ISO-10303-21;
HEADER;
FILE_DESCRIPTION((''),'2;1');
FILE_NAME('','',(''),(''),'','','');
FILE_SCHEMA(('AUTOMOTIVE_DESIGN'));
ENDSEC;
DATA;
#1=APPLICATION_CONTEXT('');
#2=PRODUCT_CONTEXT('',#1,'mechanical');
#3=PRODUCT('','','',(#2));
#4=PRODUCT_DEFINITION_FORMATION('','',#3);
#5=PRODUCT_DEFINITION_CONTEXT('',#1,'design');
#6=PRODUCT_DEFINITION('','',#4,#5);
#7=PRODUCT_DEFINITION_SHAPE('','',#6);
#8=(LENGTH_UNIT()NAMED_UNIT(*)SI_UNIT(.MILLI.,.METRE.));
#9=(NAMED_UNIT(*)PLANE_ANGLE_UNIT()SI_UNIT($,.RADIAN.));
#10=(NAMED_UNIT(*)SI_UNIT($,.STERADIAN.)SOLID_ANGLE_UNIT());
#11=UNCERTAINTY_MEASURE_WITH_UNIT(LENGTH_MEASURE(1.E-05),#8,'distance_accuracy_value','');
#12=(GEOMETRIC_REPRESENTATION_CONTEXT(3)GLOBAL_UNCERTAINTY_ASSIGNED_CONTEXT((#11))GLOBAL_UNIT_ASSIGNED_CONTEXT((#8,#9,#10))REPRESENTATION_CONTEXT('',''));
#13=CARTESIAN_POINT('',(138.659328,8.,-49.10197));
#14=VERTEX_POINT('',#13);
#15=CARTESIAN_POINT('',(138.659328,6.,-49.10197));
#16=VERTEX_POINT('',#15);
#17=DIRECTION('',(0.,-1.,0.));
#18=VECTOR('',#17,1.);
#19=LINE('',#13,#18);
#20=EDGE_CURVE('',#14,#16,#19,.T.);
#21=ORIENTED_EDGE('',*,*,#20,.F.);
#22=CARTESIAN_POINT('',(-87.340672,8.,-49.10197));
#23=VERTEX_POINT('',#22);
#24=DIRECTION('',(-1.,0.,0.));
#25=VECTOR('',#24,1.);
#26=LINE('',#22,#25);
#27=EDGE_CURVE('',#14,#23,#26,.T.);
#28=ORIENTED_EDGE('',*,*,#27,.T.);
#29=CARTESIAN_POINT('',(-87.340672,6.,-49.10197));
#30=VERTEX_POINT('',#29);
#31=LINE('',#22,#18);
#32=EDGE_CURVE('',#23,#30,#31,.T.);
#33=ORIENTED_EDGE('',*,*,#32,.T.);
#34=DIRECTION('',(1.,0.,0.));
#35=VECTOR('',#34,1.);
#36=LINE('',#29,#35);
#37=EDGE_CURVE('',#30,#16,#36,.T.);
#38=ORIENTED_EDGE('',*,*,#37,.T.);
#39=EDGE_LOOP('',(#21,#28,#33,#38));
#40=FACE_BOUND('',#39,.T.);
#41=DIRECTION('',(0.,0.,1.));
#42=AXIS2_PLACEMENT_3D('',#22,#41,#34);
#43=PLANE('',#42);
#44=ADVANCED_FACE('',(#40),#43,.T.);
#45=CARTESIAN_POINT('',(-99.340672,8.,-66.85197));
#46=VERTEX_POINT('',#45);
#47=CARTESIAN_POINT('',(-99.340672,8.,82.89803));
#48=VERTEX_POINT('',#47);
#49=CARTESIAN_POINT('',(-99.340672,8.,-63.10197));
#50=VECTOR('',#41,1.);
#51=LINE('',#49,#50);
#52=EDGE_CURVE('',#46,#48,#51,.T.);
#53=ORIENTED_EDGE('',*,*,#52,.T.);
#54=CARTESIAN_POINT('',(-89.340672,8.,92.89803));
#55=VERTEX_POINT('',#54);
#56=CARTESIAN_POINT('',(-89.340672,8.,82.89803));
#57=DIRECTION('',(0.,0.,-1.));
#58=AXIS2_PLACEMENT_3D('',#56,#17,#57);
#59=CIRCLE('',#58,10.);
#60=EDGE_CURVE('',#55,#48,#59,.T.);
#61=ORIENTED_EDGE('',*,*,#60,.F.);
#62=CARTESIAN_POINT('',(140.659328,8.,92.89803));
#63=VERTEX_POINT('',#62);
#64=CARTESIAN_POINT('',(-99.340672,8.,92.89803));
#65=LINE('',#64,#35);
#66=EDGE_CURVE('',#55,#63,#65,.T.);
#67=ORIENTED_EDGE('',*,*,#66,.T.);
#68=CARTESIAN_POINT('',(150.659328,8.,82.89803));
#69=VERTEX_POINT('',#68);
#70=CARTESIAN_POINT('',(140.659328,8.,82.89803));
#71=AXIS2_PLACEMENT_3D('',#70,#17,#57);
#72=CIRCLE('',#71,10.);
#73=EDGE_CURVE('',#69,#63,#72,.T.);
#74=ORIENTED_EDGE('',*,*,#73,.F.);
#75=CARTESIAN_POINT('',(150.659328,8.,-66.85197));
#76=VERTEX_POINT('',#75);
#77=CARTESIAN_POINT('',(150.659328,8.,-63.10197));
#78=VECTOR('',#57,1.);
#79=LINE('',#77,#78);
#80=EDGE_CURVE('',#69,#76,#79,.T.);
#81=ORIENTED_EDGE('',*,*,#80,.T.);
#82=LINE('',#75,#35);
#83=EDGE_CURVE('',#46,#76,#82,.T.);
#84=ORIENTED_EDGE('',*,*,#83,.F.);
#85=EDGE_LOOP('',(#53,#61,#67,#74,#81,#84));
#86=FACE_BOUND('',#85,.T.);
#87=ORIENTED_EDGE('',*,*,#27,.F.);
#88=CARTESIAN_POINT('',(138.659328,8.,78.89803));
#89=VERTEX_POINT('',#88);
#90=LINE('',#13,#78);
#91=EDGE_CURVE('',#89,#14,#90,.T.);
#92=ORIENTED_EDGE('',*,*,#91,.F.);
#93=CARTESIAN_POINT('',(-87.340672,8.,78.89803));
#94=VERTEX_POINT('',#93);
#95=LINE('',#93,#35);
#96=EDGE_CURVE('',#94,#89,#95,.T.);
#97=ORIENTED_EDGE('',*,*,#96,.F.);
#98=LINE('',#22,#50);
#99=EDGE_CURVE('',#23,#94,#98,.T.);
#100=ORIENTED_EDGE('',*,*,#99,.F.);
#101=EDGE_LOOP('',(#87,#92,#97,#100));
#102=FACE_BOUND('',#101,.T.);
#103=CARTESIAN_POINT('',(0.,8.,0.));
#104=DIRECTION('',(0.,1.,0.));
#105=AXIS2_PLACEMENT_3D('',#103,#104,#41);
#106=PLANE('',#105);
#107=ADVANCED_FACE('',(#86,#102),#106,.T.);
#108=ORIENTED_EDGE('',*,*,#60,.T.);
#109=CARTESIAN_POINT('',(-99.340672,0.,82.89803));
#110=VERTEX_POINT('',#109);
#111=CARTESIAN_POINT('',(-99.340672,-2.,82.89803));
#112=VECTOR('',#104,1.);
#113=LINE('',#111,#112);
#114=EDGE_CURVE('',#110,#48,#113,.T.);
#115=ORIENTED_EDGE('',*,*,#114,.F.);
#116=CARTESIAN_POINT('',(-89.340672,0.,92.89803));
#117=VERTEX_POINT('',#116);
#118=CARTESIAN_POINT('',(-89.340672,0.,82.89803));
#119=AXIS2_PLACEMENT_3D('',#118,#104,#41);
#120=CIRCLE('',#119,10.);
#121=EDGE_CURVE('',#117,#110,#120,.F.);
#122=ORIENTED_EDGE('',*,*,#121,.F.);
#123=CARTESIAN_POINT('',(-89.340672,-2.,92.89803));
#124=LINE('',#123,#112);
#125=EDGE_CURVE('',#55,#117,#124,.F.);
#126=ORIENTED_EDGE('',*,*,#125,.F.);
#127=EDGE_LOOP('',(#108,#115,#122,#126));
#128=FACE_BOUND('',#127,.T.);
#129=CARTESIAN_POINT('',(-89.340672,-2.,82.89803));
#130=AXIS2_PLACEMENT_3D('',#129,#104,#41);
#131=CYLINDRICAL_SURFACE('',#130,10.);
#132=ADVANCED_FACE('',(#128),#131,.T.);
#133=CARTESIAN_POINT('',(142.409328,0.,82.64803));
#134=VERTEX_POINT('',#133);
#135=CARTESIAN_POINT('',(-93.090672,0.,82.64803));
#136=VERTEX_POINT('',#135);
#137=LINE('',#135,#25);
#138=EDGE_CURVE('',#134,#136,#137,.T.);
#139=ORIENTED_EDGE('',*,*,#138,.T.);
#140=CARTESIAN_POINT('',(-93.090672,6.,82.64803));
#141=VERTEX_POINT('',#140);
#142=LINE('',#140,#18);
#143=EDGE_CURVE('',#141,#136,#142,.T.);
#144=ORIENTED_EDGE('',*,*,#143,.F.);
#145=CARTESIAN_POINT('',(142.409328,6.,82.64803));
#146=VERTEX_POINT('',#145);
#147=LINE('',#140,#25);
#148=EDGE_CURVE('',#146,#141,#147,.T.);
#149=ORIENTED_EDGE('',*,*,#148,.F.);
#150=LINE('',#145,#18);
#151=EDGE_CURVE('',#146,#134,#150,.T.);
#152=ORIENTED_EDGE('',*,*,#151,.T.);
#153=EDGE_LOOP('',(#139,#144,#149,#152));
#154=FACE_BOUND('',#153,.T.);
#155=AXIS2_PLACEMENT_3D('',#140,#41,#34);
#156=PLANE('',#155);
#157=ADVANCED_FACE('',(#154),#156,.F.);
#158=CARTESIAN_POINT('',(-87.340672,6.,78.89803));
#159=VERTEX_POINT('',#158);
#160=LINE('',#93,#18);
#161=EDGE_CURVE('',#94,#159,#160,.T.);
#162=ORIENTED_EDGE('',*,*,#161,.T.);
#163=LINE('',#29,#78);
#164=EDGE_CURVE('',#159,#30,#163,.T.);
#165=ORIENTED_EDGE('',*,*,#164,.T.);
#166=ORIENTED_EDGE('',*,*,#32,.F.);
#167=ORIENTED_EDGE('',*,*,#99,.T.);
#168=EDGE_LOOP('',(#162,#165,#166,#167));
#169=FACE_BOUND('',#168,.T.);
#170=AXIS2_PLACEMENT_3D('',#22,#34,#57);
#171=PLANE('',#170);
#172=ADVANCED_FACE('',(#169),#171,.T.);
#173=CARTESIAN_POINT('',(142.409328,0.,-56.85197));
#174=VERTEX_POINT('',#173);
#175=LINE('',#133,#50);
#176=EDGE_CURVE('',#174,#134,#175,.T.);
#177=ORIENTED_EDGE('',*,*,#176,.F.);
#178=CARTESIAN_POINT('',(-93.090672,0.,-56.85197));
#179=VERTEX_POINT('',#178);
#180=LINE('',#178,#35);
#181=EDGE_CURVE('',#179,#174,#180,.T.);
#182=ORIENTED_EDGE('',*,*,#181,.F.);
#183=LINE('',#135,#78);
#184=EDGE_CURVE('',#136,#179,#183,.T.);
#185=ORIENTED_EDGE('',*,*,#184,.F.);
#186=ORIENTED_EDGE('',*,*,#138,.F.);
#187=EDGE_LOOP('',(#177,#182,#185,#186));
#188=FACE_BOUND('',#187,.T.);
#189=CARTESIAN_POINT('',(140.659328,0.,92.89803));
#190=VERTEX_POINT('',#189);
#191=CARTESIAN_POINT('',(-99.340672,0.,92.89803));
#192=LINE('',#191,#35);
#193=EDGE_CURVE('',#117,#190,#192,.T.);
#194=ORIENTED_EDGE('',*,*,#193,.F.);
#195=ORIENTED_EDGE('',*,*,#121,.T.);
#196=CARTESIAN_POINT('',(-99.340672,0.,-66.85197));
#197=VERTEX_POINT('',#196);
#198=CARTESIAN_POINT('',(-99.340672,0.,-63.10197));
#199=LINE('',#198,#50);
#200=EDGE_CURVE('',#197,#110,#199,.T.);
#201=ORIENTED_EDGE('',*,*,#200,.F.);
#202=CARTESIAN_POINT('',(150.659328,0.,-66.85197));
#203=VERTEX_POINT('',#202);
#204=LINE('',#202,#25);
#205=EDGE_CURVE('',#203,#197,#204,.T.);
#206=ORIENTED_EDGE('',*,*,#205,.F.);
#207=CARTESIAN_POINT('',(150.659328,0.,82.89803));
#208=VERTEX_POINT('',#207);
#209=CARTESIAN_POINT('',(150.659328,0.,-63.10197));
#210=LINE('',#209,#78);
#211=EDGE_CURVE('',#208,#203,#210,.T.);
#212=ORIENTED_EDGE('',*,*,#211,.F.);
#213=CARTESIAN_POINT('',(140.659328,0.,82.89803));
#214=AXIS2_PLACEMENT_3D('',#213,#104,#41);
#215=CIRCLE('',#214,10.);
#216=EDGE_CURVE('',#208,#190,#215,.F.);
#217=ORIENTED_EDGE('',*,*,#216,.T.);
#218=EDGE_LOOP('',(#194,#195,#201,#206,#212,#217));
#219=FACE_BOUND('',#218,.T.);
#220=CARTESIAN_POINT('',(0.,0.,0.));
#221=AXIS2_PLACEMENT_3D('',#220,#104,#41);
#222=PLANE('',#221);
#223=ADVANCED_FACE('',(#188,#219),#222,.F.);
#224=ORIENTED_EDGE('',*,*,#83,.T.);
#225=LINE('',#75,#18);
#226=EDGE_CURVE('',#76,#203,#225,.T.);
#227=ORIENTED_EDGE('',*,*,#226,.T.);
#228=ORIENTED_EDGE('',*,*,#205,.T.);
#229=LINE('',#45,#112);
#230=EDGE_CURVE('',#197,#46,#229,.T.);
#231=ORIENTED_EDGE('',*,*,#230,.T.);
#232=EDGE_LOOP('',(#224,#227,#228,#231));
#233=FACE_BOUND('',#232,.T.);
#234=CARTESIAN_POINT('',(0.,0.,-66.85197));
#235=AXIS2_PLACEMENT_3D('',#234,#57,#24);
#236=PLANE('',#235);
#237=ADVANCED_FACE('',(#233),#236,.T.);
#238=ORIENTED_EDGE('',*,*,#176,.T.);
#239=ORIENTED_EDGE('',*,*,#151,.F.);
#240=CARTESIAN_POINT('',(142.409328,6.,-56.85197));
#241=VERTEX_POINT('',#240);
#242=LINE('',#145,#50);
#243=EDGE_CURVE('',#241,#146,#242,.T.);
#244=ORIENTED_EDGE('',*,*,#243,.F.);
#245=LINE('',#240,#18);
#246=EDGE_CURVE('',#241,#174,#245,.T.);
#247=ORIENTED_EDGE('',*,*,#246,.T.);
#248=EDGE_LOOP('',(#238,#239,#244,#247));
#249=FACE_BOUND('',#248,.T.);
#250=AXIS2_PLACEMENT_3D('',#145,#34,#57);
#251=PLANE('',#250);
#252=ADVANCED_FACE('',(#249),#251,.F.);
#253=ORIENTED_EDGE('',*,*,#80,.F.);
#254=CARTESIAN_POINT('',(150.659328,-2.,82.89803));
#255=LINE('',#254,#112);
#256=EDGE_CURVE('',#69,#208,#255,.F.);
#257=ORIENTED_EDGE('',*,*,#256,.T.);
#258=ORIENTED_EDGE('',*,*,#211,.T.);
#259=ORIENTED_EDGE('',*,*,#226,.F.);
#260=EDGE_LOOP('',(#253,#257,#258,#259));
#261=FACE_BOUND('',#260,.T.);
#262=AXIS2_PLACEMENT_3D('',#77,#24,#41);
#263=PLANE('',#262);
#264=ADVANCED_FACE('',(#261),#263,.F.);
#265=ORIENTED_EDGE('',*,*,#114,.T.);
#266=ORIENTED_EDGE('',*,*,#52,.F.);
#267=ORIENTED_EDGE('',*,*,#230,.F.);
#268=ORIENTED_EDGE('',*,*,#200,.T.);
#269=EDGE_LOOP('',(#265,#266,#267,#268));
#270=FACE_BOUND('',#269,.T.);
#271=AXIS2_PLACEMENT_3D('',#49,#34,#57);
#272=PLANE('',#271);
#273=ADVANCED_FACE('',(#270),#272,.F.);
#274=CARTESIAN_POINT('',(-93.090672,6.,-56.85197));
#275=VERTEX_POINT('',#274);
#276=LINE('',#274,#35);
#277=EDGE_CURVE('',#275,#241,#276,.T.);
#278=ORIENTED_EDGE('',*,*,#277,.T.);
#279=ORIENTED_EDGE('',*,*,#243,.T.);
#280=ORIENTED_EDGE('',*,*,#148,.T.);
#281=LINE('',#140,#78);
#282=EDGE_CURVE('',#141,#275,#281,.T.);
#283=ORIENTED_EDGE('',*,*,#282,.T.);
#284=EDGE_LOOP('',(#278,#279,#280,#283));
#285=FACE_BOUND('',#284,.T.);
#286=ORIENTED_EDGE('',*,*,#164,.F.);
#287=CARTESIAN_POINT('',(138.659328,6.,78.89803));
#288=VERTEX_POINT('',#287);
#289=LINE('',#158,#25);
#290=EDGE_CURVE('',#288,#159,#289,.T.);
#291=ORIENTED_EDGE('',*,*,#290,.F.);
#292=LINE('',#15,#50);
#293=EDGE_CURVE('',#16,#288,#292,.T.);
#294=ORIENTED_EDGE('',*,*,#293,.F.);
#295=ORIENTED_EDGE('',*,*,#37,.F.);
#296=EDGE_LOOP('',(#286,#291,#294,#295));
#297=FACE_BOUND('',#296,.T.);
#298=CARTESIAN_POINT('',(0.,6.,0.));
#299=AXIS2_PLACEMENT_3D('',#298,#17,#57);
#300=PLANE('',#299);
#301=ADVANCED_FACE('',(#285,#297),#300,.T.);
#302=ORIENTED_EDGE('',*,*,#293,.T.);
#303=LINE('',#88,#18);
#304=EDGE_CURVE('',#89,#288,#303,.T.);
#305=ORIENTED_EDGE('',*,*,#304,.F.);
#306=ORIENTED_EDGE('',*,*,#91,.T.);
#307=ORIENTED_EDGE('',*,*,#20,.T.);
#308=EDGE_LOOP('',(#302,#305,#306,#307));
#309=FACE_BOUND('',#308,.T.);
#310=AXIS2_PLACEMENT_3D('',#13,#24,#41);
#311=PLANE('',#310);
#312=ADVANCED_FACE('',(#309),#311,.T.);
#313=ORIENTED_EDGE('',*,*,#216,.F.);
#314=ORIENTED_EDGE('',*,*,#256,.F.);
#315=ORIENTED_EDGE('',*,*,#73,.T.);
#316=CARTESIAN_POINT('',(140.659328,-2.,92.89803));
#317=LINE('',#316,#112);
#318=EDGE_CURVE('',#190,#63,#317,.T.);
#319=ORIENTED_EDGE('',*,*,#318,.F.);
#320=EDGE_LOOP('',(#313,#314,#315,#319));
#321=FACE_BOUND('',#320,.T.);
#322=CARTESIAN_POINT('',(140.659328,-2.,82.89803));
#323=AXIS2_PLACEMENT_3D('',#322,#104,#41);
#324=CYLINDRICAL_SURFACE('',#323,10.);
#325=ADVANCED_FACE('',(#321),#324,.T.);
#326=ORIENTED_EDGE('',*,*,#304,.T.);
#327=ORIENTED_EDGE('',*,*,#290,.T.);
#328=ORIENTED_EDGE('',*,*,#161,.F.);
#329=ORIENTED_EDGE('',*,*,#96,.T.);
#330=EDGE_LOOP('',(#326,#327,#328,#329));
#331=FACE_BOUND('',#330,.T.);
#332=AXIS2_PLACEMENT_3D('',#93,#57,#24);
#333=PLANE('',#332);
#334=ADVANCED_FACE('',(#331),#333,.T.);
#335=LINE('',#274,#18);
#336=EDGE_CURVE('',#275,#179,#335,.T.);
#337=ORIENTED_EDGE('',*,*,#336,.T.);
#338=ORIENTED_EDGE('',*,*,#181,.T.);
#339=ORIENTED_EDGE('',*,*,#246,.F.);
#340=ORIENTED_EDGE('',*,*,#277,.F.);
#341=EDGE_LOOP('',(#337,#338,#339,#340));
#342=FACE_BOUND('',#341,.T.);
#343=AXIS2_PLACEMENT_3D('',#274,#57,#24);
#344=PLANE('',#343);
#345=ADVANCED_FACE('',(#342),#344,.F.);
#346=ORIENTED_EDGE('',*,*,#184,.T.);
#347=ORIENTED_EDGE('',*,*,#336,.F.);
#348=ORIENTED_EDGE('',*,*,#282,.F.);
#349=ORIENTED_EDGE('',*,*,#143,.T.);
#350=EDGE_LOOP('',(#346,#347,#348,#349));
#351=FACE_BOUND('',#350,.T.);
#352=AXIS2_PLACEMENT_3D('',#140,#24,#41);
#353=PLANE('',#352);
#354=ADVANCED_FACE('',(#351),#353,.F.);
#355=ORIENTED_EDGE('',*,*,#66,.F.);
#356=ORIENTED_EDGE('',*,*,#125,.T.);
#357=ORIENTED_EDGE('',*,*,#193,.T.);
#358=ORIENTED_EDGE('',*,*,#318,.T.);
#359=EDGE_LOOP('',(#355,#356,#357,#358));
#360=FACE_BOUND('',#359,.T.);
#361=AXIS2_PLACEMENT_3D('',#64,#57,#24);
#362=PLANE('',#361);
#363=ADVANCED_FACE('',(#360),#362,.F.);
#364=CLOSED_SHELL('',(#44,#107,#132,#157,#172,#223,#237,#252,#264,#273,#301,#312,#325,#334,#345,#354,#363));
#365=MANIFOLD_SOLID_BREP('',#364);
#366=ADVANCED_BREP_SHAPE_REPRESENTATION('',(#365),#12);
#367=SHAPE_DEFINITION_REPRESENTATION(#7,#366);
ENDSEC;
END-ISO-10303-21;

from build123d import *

# Parameters (mm, degrees)
SKETCH_1_W          = 250
SKETCH_1_H          = 156
SKETCH_1_W_2        = 226
SKETCH_1_H_2        = 128
EXTRUDE_1_DEPTH     = 8
SKETCH_2_W          = 235.5
SKETCH_2_H          = 139.5
CUT_EXTRUDE_3_DEPTH = 6
SKETCH_11_W         = 250
SKETCH_11_H         = 8
EXTRUDE_3_DEPTH     = 3.75
CUT_EXTRUDE_4_DEPTH = 10


with BuildPart() as part:
    # 草图1 → 凸台-拉伸1 (new body)
    with BuildSketch(Plane(origin=(0, 0, 0), x_dir=(1, 0, 0), z_dir=(0, 1, 0))):
        with Locations((25.659327926, -14.898030127)):
            Rectangle(SKETCH_1_W, SKETCH_1_H)
        with Locations((25.659327926, -14.898030127)):
            Rectangle(SKETCH_1_W_2, SKETCH_1_H_2, mode=Mode.SUBTRACT)
    extrude(amount=EXTRUDE_1_DEPTH)

    # 草图2 → 切除-拉伸3 (cut)
    with BuildSketch(Plane.XZ):
        with Locations((24.659327926, 12.898030127)):
            Rectangle(SKETCH_2_W, SKETCH_2_H)
    extrude(amount=-CUT_EXTRUDE_3_DEPTH, mode=Mode.SUBTRACT)

    # 草图11 → 凸台-拉伸3 (add)
    with BuildSketch(Plane(origin=(0, 0, -63.101969873), x_dir=(-1, 0, 0), z_dir=(0, 0, -1))):
        with Locations((-25.659327926, 4)):
            Rectangle(SKETCH_11_W, SKETCH_11_H)
    extrude(amount=EXTRUDE_3_DEPTH)

    # 草图12 → 切除-拉伸4 (cut)
    with BuildSketch(Plane(origin=(0, 8, 0), x_dir=(1, 0, 0), z_dir=(0, 1, 0))):
        with BuildLine():
            Line((-99.340672074, -82.898030127), (-99.340672074, -92.898030127))
            Line((-99.340672074, -92.898030127), (-89.340672074, -92.898030127))
            ThreePointArc((-89.340672074, -92.898030127), (-96.411739886, -89.969097939), (-99.340672074, -82.898030127))
        make_face()
        with BuildLine():
            Line((150.659327926, -82.898030127), (150.659327926, -92.898030127))
            Line((150.659327926, -92.898030127), (140.659327926, -92.898030127))
            ThreePointArc((140.659327926, -92.898030127), (147.730395738, -89.969097939), (150.659327926, -82.898030127))
        make_face()
    extrude(amount=-CUT_EXTRUDE_4_DEPTH, mode=Mode.SUBTRACT)


solid = part.part
